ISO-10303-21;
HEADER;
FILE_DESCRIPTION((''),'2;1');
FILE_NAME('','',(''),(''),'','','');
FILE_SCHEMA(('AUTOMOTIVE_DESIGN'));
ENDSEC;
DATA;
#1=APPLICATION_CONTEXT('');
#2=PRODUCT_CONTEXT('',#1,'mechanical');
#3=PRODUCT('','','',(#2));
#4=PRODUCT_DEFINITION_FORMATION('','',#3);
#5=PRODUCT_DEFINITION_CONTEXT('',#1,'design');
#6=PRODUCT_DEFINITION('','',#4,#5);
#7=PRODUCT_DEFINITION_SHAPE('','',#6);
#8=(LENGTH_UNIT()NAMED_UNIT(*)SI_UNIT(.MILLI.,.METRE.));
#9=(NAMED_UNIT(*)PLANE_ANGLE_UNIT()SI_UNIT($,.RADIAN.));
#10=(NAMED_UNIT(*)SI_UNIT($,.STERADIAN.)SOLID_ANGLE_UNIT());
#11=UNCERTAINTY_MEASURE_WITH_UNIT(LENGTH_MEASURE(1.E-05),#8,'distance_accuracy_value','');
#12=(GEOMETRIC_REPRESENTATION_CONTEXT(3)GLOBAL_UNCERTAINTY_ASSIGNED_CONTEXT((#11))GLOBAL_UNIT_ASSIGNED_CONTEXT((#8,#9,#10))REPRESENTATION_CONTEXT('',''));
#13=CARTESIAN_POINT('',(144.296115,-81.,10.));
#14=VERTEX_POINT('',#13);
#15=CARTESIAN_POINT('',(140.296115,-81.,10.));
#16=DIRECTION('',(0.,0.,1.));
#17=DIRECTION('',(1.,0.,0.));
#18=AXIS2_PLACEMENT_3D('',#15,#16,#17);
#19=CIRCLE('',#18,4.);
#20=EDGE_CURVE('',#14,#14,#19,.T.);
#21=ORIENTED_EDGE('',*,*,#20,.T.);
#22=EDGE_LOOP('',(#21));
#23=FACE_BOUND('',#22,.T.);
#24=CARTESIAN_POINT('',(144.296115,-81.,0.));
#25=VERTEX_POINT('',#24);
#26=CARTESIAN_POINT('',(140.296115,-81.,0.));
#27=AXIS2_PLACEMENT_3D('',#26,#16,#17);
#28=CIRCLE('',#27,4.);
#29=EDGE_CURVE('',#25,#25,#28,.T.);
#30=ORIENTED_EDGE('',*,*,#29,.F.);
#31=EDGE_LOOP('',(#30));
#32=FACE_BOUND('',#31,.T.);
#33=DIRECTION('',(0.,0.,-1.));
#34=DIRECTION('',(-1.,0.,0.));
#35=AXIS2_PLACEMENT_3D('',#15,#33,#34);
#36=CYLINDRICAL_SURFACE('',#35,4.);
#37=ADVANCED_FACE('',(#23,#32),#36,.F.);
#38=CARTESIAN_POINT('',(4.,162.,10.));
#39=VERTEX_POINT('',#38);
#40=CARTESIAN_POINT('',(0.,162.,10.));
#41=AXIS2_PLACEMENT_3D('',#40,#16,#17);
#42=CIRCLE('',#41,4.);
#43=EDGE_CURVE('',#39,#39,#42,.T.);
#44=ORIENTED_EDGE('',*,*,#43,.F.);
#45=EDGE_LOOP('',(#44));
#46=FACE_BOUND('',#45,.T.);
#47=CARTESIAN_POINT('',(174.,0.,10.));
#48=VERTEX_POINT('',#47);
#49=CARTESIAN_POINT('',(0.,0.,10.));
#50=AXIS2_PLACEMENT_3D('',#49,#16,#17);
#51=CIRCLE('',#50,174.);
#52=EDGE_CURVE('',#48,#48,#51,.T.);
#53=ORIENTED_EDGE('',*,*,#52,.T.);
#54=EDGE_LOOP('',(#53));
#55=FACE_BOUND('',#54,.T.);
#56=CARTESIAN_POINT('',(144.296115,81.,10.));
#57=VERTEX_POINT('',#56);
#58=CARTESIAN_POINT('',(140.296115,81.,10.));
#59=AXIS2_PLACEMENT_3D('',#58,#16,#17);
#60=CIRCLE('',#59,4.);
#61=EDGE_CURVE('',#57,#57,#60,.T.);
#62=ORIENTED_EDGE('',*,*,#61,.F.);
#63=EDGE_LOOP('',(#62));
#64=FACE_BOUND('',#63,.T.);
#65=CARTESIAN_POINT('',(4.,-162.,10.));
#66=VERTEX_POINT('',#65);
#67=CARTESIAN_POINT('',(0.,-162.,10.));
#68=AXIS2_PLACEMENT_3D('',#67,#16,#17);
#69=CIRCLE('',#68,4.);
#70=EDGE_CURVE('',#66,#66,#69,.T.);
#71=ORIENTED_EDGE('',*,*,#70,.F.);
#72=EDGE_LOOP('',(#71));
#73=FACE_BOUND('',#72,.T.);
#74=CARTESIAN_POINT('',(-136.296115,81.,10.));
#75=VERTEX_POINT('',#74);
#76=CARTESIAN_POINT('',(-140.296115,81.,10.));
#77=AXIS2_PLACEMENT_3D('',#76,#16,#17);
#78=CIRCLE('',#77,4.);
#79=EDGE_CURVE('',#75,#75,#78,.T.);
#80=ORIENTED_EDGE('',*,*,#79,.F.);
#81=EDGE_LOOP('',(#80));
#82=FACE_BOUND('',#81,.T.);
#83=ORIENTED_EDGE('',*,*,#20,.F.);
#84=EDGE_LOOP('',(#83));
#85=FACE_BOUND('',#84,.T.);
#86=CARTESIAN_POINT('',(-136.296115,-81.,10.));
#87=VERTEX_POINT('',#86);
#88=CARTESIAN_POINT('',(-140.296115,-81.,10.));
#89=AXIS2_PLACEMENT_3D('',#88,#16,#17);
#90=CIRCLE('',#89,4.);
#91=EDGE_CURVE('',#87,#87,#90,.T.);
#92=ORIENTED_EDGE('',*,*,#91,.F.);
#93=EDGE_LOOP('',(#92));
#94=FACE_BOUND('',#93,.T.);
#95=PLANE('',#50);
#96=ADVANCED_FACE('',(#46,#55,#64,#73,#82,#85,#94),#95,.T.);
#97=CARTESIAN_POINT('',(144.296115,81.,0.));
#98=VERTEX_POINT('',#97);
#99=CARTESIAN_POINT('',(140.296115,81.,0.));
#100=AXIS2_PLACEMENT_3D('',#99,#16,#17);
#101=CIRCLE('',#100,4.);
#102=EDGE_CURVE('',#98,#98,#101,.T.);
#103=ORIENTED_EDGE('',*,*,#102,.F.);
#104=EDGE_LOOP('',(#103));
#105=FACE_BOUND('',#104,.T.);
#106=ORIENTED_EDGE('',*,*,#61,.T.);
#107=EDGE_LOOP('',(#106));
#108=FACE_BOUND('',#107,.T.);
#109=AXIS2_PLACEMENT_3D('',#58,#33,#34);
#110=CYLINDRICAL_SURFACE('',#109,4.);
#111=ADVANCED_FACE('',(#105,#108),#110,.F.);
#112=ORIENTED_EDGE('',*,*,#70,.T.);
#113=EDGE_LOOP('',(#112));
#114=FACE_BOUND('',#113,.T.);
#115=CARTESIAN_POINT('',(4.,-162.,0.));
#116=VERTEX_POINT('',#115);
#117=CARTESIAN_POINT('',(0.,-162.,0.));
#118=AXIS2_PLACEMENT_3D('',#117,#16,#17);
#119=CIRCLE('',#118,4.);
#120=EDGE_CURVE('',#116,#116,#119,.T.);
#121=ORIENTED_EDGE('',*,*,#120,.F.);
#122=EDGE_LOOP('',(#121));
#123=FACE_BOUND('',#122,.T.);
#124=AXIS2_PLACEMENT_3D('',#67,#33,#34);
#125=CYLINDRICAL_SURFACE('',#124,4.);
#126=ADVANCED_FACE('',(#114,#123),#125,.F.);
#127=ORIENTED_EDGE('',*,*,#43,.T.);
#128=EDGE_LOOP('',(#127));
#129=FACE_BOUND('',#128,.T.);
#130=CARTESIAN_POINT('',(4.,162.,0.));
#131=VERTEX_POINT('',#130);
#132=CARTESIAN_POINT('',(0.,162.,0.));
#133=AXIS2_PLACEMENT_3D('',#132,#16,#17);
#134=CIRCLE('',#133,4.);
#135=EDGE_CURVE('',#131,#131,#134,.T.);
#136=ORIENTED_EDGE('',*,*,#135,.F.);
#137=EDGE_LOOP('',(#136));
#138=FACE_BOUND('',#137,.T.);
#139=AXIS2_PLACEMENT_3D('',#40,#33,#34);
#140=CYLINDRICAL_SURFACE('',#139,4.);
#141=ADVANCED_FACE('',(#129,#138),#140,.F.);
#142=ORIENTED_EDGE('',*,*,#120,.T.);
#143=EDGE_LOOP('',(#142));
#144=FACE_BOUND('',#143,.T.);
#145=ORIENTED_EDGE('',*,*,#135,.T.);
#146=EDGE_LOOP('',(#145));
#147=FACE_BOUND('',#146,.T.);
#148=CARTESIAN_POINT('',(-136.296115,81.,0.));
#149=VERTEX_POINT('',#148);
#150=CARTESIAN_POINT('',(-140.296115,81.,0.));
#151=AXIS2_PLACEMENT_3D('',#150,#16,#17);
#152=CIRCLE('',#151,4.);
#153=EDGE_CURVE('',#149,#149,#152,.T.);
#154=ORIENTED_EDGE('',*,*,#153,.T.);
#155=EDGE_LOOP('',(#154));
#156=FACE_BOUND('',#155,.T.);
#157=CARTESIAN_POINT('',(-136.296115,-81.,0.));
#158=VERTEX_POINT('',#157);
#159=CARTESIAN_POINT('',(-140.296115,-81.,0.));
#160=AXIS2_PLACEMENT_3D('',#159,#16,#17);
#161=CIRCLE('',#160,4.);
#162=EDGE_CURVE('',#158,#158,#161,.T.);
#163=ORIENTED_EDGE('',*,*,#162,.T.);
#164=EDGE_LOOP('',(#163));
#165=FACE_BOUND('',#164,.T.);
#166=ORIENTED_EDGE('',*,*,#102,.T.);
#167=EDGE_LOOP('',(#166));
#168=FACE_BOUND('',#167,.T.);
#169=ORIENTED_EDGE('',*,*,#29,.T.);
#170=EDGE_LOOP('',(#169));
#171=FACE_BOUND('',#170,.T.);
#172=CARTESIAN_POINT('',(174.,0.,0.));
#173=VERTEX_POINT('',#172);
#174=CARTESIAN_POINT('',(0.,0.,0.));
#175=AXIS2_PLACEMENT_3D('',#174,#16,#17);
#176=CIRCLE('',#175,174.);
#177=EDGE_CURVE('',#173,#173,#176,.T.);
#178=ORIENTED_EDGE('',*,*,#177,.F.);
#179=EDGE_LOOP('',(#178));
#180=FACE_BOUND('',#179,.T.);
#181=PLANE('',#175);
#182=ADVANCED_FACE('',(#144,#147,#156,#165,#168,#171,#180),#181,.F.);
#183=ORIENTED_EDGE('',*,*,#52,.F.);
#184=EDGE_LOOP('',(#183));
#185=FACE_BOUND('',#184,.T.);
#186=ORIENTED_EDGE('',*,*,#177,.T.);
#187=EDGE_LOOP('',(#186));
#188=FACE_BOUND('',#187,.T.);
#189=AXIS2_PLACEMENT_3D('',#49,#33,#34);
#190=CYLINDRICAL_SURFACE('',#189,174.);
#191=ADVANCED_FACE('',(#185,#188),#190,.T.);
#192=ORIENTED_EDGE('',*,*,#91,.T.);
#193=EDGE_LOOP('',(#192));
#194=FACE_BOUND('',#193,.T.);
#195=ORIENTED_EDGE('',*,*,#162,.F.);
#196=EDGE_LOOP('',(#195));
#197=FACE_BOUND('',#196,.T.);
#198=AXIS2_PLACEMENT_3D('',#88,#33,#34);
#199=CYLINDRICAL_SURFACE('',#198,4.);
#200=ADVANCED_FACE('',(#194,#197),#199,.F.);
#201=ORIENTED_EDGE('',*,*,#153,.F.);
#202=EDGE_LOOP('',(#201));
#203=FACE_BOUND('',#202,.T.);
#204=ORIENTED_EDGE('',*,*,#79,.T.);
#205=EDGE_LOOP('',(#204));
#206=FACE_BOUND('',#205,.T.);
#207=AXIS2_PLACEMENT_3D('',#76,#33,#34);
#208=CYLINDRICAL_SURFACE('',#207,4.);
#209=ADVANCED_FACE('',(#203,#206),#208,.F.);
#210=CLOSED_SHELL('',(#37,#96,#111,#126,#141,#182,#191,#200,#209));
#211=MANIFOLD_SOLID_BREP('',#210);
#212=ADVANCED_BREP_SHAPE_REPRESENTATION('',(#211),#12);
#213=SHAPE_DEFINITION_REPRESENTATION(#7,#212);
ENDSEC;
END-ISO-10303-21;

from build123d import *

# Parameters (mm, degrees)
SKETCH1_R           = 174
SKETCH1_R_2         = 4
BOSS_EXTRUDE1_DEPTH = 10


with BuildPart() as part:
    # Sketch1 → Boss-Extrude1 (new body)
    with BuildSketch(Plane.XY):
        Circle(SKETCH1_R)
        with Locations((0, 162)):
            Circle(SKETCH1_R_2, mode=Mode.SUBTRACT)
        with Locations((140.296115413, 81)):
            Circle(SKETCH1_R_2, mode=Mode.SUBTRACT)
        with Locations((140.296115413, -81)):
            Circle(SKETCH1_R_2, mode=Mode.SUBTRACT)
        with Locations((0, -162)):
            Circle(SKETCH1_R_2, mode=Mode.SUBTRACT)
        with Locations((-140.296115413, -81)):
            Circle(SKETCH1_R_2, mode=Mode.SUBTRACT)
        with Locations((-140.296115413, 81)):
            Circle(SKETCH1_R_2, mode=Mode.SUBTRACT)
    extrude(amount=BOSS_EXTRUDE1_DEPTH)


solid = part.part
